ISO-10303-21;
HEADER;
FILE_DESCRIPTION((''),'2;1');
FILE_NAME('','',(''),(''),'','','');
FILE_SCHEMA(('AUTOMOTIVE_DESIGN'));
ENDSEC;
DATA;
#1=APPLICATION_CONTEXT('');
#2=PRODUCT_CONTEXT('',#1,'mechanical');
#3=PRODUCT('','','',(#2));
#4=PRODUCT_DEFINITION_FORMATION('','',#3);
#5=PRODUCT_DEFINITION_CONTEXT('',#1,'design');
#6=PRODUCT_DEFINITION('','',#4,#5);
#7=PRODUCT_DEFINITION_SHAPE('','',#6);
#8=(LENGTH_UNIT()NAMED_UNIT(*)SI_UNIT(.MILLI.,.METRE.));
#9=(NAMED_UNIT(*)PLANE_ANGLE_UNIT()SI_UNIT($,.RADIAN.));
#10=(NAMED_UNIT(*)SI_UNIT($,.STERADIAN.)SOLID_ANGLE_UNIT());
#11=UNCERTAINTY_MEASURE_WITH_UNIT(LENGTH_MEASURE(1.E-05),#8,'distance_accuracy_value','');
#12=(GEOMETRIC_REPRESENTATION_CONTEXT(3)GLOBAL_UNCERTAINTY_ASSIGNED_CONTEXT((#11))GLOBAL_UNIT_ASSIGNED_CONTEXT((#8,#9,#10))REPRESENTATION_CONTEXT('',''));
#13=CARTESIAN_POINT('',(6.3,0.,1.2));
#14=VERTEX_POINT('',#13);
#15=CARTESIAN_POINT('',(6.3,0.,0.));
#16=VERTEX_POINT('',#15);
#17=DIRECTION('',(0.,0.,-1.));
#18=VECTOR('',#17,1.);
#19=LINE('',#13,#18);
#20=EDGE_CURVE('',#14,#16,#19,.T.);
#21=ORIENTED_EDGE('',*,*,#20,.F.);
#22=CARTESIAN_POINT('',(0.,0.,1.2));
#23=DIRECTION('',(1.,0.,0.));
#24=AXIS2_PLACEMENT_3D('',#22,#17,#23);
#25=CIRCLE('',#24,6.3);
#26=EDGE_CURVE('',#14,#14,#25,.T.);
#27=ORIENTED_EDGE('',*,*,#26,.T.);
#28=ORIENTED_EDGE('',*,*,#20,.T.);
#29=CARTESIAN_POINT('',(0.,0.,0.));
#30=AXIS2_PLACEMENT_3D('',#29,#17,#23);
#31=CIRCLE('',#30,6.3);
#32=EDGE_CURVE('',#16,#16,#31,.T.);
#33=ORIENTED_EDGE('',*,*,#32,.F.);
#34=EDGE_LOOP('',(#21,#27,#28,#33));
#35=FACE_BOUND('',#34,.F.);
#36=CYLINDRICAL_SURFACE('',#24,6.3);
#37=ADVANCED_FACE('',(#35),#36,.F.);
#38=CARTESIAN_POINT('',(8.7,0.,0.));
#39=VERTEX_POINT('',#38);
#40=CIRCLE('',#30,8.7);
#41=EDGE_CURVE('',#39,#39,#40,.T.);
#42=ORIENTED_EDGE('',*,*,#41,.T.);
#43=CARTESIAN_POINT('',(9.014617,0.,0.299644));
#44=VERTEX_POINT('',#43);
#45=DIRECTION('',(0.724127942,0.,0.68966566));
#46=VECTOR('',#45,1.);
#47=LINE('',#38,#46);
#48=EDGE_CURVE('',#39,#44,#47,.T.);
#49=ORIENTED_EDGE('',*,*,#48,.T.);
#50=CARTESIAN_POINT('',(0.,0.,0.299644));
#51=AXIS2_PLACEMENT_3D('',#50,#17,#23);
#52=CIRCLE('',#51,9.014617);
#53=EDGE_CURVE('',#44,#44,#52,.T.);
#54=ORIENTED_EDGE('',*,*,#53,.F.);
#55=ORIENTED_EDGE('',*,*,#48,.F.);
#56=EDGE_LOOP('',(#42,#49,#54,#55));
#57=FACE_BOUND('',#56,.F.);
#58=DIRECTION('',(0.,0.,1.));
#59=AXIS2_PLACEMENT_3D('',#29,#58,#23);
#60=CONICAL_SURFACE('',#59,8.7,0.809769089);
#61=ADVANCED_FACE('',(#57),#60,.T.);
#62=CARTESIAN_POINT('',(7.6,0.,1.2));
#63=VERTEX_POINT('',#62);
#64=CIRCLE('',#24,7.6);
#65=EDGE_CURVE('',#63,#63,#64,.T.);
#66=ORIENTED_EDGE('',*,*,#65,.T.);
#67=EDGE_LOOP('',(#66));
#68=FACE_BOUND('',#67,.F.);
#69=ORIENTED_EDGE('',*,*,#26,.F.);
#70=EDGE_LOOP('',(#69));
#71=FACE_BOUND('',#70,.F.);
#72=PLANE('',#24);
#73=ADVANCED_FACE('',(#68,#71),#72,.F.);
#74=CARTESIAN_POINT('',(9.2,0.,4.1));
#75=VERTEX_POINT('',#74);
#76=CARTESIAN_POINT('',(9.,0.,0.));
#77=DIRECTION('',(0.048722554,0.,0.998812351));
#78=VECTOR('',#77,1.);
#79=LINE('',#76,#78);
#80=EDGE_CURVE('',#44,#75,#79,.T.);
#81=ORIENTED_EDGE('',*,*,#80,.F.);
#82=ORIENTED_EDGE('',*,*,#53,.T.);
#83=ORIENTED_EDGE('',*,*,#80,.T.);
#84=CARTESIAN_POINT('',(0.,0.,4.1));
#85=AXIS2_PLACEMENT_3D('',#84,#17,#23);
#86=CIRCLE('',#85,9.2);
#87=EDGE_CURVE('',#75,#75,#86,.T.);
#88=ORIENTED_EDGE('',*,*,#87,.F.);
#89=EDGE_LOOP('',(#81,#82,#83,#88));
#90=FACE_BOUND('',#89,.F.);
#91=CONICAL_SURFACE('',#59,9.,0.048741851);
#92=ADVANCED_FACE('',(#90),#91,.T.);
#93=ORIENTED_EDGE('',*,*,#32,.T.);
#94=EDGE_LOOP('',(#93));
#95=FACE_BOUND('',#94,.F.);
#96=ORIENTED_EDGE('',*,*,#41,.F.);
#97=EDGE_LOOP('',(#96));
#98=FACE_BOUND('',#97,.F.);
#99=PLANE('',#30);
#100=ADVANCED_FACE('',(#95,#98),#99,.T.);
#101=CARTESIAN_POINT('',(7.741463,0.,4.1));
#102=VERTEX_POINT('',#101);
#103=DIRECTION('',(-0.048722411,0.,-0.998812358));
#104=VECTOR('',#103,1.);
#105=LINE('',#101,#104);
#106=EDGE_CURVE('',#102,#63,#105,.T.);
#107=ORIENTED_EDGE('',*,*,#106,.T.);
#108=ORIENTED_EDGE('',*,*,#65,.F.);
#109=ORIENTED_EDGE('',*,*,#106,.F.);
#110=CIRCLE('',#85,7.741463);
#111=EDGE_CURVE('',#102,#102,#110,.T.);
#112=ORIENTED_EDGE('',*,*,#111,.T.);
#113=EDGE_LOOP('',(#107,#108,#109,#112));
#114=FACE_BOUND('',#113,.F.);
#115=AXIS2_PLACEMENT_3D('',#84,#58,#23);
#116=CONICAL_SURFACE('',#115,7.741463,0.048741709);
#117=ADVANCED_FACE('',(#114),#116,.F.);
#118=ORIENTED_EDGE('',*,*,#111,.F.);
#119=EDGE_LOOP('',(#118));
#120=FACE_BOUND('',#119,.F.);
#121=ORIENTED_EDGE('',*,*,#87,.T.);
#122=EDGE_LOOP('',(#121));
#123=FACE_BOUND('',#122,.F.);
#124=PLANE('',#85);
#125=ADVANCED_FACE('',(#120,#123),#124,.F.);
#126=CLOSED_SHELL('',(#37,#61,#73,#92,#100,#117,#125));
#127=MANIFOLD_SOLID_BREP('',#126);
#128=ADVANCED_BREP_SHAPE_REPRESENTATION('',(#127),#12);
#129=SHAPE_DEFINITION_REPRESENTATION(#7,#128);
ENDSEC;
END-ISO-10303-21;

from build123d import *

# Parameters (mm, degrees)
F2_SIZE = 0.3


with BuildPart() as f1:
    # F0 (on Front) → F1 (revolve)
    with BuildSketch(Plane.XZ):
        Polygon((6.3, 1.2), (6.3, 0), (9, 0), (9.2, 4.1), (7.741463, 4.1), (7.6, 1.2), align=None)
    revolve(axis=Axis((0, 0, 3.37447), (0, 0, -1)))

    # F2
    f2_edges = [f1.edges().sort_by_distance(p)[0] for p in [
        (-9, 0, 0),
    ]]
    chamfer(f2_edges, length=F2_SIZE)


solid = f1.part
